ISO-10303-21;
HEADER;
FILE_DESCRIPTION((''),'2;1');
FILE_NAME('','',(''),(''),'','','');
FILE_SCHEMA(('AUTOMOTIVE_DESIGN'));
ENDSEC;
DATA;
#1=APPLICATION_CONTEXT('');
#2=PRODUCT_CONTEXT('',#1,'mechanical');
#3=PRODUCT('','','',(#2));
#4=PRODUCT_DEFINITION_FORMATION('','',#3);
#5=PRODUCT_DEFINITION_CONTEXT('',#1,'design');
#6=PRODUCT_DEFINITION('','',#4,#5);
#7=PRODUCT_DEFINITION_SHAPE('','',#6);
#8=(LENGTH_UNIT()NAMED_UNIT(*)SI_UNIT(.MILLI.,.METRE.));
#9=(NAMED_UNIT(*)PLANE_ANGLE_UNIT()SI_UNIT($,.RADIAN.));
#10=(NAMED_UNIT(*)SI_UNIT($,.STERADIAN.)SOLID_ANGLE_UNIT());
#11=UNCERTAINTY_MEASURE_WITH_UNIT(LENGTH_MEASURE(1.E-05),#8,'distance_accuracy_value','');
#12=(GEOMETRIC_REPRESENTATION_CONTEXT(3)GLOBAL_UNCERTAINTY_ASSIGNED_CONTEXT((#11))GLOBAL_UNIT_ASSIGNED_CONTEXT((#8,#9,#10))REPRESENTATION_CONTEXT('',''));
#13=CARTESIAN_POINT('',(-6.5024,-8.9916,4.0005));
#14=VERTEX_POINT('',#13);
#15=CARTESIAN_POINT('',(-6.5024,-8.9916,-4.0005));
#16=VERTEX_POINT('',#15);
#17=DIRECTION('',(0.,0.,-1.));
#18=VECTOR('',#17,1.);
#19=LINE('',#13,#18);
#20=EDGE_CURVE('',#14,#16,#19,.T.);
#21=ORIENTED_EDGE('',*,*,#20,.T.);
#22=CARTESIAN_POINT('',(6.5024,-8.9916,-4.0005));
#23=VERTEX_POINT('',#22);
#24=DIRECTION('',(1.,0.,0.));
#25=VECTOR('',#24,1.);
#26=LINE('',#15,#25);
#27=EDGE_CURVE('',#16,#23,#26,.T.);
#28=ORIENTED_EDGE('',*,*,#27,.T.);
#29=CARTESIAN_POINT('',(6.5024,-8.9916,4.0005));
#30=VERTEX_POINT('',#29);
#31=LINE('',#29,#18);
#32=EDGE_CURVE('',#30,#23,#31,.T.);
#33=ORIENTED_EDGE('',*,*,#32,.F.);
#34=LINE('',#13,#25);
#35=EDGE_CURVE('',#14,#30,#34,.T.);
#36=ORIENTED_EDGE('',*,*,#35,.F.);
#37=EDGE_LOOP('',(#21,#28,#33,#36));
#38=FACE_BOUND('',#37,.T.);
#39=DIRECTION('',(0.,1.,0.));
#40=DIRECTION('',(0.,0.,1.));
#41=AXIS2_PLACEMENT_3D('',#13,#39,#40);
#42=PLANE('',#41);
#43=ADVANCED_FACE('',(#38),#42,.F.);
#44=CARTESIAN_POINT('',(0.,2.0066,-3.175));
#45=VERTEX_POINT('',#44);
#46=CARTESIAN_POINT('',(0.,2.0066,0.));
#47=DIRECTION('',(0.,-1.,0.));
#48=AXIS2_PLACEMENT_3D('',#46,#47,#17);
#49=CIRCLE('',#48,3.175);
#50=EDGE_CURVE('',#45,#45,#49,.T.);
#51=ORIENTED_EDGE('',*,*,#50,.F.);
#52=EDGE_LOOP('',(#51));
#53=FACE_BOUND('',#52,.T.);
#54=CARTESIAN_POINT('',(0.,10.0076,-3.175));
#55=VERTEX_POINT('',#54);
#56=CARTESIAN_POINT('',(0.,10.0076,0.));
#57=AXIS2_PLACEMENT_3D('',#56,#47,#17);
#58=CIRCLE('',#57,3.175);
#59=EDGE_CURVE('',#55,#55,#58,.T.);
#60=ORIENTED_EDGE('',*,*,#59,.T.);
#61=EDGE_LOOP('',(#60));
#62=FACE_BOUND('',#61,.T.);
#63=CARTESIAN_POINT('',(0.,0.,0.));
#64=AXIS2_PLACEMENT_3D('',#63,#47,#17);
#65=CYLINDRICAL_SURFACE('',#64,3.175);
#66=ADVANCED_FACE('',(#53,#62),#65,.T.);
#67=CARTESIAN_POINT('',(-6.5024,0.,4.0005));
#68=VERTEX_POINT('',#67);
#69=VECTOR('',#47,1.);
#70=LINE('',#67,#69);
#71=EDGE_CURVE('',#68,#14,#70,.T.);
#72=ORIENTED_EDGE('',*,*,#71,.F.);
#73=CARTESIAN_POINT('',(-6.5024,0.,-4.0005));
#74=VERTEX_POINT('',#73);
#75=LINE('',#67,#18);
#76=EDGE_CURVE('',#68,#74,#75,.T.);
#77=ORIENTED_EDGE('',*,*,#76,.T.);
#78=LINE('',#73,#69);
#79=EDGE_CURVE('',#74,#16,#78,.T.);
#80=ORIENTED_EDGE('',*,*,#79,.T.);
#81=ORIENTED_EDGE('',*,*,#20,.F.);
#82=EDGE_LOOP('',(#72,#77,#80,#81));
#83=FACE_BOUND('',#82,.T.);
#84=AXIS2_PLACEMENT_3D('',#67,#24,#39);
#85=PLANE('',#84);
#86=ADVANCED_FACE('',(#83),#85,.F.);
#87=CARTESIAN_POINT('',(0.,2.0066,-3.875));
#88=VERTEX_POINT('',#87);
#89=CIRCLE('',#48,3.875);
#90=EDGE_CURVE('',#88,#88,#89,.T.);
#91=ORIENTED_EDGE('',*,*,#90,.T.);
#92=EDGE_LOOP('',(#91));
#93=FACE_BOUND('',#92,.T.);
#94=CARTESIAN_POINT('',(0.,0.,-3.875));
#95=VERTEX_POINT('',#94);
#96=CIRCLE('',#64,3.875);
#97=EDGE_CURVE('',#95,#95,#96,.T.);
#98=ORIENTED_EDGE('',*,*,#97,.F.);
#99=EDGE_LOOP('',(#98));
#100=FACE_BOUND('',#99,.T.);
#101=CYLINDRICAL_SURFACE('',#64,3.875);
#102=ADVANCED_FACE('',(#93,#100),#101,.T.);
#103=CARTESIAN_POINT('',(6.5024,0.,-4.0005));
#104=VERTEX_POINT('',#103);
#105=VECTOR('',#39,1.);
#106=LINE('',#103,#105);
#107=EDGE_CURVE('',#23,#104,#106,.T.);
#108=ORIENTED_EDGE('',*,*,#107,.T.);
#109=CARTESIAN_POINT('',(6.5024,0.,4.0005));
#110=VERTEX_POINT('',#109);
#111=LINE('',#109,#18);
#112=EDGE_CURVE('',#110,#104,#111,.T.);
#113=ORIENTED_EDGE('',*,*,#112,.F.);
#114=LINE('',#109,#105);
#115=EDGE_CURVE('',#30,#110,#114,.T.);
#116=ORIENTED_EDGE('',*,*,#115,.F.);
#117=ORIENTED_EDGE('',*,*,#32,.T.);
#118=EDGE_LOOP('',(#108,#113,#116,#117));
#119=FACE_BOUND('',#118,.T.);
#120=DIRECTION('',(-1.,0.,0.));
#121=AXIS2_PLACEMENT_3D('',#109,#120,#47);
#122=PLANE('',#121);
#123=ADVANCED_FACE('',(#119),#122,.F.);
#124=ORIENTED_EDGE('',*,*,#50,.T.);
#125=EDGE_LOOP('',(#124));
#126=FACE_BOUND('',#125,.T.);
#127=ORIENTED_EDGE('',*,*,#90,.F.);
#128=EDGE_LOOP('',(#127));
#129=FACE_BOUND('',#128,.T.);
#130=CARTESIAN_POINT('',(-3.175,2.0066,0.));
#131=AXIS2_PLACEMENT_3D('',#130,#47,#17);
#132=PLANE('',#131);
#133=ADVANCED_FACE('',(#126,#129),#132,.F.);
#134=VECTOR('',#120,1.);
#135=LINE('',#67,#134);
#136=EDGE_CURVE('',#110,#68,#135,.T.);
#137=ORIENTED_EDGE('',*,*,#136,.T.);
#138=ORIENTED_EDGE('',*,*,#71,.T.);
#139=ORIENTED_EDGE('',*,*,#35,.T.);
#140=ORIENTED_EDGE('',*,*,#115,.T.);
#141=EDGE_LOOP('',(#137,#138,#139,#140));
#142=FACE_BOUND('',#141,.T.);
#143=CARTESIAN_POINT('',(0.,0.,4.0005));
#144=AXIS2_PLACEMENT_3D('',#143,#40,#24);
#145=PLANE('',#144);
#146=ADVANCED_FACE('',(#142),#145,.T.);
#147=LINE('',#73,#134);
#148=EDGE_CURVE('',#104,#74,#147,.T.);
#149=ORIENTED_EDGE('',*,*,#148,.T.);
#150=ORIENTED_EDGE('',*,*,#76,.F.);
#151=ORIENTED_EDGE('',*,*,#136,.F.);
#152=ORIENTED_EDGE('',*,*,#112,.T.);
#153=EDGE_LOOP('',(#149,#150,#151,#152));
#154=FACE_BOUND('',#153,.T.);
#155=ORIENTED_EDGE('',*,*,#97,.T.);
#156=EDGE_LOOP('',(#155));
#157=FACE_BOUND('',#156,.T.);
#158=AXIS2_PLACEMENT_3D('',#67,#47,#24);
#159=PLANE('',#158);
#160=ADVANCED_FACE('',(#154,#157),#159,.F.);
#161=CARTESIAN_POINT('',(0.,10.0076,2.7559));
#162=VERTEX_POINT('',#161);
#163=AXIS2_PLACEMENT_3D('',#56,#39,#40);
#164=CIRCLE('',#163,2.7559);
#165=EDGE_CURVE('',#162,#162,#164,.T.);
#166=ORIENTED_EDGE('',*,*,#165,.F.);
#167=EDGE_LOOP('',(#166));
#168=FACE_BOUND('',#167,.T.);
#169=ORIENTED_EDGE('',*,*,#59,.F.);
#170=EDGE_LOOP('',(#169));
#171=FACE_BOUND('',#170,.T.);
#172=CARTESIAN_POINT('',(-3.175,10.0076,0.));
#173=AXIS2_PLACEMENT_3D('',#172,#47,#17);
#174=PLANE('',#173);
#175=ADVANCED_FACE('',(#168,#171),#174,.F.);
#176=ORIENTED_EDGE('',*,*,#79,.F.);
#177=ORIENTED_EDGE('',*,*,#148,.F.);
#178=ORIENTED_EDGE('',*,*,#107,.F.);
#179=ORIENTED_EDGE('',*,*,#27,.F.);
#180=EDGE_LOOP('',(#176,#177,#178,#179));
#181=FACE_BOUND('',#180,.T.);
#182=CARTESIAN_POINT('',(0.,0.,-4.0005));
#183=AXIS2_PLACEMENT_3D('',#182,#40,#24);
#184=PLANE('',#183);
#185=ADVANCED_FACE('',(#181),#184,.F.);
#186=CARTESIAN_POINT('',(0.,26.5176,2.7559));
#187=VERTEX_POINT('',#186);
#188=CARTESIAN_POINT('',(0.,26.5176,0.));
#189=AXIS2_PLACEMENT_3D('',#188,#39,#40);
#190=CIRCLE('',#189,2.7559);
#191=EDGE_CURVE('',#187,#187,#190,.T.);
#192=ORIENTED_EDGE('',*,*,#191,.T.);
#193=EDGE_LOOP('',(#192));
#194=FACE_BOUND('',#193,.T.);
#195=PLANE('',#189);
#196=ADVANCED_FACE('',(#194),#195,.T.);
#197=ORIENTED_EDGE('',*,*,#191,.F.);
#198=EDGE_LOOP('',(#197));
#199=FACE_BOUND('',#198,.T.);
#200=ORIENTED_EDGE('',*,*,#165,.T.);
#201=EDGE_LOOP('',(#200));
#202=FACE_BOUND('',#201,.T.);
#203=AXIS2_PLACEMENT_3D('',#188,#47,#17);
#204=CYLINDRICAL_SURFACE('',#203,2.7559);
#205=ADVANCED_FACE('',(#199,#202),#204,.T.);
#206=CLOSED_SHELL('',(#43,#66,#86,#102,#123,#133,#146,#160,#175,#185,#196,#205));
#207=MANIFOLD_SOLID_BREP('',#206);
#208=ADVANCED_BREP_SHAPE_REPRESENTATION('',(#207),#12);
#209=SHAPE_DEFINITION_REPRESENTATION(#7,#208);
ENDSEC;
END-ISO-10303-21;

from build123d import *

# Parameters (mm, degrees)
SKETCH2_W           = 13.0048
SKETCH2_H           = 8.9916
BOSS_EXTRUDE1_DEPTH = 4.0005
SKETCH4_R           = 2.7559
BOSS_EXTRUDE2_DEPTH = 16.51


with BuildPart() as part:
    # Sketch2 → Boss-Extrude1 (new body, symmetric)
    with BuildSketch(Plane.XY):
        with Locations((0, -4.4958)):
            Rectangle(SKETCH2_W, SKETCH2_H)
    extrude(amount=BOSS_EXTRUDE1_DEPTH, both=True)

    # Sketch3 → Revolve2 (revolve)
    with BuildSketch(Plane.XY):
        Polygon((-3.175, 10.0076), (-3.175, 2.0066), (-3.875, 2.0066), (-3.875, 0), (0, 0), (0, 10.0076), align=None)
    revolve(axis=Axis((0, 0, 0), (0, 1, 0)))

    # Sketch4 → Boss-Extrude2 (add)
    with BuildSketch(Plane(origin=(0, 10.0076, 0), x_dir=(1, 0, 0), z_dir=(0, 1, 0))):
        Circle(SKETCH4_R)
    extrude(amount=BOSS_EXTRUDE2_DEPTH)


solid = part.part
